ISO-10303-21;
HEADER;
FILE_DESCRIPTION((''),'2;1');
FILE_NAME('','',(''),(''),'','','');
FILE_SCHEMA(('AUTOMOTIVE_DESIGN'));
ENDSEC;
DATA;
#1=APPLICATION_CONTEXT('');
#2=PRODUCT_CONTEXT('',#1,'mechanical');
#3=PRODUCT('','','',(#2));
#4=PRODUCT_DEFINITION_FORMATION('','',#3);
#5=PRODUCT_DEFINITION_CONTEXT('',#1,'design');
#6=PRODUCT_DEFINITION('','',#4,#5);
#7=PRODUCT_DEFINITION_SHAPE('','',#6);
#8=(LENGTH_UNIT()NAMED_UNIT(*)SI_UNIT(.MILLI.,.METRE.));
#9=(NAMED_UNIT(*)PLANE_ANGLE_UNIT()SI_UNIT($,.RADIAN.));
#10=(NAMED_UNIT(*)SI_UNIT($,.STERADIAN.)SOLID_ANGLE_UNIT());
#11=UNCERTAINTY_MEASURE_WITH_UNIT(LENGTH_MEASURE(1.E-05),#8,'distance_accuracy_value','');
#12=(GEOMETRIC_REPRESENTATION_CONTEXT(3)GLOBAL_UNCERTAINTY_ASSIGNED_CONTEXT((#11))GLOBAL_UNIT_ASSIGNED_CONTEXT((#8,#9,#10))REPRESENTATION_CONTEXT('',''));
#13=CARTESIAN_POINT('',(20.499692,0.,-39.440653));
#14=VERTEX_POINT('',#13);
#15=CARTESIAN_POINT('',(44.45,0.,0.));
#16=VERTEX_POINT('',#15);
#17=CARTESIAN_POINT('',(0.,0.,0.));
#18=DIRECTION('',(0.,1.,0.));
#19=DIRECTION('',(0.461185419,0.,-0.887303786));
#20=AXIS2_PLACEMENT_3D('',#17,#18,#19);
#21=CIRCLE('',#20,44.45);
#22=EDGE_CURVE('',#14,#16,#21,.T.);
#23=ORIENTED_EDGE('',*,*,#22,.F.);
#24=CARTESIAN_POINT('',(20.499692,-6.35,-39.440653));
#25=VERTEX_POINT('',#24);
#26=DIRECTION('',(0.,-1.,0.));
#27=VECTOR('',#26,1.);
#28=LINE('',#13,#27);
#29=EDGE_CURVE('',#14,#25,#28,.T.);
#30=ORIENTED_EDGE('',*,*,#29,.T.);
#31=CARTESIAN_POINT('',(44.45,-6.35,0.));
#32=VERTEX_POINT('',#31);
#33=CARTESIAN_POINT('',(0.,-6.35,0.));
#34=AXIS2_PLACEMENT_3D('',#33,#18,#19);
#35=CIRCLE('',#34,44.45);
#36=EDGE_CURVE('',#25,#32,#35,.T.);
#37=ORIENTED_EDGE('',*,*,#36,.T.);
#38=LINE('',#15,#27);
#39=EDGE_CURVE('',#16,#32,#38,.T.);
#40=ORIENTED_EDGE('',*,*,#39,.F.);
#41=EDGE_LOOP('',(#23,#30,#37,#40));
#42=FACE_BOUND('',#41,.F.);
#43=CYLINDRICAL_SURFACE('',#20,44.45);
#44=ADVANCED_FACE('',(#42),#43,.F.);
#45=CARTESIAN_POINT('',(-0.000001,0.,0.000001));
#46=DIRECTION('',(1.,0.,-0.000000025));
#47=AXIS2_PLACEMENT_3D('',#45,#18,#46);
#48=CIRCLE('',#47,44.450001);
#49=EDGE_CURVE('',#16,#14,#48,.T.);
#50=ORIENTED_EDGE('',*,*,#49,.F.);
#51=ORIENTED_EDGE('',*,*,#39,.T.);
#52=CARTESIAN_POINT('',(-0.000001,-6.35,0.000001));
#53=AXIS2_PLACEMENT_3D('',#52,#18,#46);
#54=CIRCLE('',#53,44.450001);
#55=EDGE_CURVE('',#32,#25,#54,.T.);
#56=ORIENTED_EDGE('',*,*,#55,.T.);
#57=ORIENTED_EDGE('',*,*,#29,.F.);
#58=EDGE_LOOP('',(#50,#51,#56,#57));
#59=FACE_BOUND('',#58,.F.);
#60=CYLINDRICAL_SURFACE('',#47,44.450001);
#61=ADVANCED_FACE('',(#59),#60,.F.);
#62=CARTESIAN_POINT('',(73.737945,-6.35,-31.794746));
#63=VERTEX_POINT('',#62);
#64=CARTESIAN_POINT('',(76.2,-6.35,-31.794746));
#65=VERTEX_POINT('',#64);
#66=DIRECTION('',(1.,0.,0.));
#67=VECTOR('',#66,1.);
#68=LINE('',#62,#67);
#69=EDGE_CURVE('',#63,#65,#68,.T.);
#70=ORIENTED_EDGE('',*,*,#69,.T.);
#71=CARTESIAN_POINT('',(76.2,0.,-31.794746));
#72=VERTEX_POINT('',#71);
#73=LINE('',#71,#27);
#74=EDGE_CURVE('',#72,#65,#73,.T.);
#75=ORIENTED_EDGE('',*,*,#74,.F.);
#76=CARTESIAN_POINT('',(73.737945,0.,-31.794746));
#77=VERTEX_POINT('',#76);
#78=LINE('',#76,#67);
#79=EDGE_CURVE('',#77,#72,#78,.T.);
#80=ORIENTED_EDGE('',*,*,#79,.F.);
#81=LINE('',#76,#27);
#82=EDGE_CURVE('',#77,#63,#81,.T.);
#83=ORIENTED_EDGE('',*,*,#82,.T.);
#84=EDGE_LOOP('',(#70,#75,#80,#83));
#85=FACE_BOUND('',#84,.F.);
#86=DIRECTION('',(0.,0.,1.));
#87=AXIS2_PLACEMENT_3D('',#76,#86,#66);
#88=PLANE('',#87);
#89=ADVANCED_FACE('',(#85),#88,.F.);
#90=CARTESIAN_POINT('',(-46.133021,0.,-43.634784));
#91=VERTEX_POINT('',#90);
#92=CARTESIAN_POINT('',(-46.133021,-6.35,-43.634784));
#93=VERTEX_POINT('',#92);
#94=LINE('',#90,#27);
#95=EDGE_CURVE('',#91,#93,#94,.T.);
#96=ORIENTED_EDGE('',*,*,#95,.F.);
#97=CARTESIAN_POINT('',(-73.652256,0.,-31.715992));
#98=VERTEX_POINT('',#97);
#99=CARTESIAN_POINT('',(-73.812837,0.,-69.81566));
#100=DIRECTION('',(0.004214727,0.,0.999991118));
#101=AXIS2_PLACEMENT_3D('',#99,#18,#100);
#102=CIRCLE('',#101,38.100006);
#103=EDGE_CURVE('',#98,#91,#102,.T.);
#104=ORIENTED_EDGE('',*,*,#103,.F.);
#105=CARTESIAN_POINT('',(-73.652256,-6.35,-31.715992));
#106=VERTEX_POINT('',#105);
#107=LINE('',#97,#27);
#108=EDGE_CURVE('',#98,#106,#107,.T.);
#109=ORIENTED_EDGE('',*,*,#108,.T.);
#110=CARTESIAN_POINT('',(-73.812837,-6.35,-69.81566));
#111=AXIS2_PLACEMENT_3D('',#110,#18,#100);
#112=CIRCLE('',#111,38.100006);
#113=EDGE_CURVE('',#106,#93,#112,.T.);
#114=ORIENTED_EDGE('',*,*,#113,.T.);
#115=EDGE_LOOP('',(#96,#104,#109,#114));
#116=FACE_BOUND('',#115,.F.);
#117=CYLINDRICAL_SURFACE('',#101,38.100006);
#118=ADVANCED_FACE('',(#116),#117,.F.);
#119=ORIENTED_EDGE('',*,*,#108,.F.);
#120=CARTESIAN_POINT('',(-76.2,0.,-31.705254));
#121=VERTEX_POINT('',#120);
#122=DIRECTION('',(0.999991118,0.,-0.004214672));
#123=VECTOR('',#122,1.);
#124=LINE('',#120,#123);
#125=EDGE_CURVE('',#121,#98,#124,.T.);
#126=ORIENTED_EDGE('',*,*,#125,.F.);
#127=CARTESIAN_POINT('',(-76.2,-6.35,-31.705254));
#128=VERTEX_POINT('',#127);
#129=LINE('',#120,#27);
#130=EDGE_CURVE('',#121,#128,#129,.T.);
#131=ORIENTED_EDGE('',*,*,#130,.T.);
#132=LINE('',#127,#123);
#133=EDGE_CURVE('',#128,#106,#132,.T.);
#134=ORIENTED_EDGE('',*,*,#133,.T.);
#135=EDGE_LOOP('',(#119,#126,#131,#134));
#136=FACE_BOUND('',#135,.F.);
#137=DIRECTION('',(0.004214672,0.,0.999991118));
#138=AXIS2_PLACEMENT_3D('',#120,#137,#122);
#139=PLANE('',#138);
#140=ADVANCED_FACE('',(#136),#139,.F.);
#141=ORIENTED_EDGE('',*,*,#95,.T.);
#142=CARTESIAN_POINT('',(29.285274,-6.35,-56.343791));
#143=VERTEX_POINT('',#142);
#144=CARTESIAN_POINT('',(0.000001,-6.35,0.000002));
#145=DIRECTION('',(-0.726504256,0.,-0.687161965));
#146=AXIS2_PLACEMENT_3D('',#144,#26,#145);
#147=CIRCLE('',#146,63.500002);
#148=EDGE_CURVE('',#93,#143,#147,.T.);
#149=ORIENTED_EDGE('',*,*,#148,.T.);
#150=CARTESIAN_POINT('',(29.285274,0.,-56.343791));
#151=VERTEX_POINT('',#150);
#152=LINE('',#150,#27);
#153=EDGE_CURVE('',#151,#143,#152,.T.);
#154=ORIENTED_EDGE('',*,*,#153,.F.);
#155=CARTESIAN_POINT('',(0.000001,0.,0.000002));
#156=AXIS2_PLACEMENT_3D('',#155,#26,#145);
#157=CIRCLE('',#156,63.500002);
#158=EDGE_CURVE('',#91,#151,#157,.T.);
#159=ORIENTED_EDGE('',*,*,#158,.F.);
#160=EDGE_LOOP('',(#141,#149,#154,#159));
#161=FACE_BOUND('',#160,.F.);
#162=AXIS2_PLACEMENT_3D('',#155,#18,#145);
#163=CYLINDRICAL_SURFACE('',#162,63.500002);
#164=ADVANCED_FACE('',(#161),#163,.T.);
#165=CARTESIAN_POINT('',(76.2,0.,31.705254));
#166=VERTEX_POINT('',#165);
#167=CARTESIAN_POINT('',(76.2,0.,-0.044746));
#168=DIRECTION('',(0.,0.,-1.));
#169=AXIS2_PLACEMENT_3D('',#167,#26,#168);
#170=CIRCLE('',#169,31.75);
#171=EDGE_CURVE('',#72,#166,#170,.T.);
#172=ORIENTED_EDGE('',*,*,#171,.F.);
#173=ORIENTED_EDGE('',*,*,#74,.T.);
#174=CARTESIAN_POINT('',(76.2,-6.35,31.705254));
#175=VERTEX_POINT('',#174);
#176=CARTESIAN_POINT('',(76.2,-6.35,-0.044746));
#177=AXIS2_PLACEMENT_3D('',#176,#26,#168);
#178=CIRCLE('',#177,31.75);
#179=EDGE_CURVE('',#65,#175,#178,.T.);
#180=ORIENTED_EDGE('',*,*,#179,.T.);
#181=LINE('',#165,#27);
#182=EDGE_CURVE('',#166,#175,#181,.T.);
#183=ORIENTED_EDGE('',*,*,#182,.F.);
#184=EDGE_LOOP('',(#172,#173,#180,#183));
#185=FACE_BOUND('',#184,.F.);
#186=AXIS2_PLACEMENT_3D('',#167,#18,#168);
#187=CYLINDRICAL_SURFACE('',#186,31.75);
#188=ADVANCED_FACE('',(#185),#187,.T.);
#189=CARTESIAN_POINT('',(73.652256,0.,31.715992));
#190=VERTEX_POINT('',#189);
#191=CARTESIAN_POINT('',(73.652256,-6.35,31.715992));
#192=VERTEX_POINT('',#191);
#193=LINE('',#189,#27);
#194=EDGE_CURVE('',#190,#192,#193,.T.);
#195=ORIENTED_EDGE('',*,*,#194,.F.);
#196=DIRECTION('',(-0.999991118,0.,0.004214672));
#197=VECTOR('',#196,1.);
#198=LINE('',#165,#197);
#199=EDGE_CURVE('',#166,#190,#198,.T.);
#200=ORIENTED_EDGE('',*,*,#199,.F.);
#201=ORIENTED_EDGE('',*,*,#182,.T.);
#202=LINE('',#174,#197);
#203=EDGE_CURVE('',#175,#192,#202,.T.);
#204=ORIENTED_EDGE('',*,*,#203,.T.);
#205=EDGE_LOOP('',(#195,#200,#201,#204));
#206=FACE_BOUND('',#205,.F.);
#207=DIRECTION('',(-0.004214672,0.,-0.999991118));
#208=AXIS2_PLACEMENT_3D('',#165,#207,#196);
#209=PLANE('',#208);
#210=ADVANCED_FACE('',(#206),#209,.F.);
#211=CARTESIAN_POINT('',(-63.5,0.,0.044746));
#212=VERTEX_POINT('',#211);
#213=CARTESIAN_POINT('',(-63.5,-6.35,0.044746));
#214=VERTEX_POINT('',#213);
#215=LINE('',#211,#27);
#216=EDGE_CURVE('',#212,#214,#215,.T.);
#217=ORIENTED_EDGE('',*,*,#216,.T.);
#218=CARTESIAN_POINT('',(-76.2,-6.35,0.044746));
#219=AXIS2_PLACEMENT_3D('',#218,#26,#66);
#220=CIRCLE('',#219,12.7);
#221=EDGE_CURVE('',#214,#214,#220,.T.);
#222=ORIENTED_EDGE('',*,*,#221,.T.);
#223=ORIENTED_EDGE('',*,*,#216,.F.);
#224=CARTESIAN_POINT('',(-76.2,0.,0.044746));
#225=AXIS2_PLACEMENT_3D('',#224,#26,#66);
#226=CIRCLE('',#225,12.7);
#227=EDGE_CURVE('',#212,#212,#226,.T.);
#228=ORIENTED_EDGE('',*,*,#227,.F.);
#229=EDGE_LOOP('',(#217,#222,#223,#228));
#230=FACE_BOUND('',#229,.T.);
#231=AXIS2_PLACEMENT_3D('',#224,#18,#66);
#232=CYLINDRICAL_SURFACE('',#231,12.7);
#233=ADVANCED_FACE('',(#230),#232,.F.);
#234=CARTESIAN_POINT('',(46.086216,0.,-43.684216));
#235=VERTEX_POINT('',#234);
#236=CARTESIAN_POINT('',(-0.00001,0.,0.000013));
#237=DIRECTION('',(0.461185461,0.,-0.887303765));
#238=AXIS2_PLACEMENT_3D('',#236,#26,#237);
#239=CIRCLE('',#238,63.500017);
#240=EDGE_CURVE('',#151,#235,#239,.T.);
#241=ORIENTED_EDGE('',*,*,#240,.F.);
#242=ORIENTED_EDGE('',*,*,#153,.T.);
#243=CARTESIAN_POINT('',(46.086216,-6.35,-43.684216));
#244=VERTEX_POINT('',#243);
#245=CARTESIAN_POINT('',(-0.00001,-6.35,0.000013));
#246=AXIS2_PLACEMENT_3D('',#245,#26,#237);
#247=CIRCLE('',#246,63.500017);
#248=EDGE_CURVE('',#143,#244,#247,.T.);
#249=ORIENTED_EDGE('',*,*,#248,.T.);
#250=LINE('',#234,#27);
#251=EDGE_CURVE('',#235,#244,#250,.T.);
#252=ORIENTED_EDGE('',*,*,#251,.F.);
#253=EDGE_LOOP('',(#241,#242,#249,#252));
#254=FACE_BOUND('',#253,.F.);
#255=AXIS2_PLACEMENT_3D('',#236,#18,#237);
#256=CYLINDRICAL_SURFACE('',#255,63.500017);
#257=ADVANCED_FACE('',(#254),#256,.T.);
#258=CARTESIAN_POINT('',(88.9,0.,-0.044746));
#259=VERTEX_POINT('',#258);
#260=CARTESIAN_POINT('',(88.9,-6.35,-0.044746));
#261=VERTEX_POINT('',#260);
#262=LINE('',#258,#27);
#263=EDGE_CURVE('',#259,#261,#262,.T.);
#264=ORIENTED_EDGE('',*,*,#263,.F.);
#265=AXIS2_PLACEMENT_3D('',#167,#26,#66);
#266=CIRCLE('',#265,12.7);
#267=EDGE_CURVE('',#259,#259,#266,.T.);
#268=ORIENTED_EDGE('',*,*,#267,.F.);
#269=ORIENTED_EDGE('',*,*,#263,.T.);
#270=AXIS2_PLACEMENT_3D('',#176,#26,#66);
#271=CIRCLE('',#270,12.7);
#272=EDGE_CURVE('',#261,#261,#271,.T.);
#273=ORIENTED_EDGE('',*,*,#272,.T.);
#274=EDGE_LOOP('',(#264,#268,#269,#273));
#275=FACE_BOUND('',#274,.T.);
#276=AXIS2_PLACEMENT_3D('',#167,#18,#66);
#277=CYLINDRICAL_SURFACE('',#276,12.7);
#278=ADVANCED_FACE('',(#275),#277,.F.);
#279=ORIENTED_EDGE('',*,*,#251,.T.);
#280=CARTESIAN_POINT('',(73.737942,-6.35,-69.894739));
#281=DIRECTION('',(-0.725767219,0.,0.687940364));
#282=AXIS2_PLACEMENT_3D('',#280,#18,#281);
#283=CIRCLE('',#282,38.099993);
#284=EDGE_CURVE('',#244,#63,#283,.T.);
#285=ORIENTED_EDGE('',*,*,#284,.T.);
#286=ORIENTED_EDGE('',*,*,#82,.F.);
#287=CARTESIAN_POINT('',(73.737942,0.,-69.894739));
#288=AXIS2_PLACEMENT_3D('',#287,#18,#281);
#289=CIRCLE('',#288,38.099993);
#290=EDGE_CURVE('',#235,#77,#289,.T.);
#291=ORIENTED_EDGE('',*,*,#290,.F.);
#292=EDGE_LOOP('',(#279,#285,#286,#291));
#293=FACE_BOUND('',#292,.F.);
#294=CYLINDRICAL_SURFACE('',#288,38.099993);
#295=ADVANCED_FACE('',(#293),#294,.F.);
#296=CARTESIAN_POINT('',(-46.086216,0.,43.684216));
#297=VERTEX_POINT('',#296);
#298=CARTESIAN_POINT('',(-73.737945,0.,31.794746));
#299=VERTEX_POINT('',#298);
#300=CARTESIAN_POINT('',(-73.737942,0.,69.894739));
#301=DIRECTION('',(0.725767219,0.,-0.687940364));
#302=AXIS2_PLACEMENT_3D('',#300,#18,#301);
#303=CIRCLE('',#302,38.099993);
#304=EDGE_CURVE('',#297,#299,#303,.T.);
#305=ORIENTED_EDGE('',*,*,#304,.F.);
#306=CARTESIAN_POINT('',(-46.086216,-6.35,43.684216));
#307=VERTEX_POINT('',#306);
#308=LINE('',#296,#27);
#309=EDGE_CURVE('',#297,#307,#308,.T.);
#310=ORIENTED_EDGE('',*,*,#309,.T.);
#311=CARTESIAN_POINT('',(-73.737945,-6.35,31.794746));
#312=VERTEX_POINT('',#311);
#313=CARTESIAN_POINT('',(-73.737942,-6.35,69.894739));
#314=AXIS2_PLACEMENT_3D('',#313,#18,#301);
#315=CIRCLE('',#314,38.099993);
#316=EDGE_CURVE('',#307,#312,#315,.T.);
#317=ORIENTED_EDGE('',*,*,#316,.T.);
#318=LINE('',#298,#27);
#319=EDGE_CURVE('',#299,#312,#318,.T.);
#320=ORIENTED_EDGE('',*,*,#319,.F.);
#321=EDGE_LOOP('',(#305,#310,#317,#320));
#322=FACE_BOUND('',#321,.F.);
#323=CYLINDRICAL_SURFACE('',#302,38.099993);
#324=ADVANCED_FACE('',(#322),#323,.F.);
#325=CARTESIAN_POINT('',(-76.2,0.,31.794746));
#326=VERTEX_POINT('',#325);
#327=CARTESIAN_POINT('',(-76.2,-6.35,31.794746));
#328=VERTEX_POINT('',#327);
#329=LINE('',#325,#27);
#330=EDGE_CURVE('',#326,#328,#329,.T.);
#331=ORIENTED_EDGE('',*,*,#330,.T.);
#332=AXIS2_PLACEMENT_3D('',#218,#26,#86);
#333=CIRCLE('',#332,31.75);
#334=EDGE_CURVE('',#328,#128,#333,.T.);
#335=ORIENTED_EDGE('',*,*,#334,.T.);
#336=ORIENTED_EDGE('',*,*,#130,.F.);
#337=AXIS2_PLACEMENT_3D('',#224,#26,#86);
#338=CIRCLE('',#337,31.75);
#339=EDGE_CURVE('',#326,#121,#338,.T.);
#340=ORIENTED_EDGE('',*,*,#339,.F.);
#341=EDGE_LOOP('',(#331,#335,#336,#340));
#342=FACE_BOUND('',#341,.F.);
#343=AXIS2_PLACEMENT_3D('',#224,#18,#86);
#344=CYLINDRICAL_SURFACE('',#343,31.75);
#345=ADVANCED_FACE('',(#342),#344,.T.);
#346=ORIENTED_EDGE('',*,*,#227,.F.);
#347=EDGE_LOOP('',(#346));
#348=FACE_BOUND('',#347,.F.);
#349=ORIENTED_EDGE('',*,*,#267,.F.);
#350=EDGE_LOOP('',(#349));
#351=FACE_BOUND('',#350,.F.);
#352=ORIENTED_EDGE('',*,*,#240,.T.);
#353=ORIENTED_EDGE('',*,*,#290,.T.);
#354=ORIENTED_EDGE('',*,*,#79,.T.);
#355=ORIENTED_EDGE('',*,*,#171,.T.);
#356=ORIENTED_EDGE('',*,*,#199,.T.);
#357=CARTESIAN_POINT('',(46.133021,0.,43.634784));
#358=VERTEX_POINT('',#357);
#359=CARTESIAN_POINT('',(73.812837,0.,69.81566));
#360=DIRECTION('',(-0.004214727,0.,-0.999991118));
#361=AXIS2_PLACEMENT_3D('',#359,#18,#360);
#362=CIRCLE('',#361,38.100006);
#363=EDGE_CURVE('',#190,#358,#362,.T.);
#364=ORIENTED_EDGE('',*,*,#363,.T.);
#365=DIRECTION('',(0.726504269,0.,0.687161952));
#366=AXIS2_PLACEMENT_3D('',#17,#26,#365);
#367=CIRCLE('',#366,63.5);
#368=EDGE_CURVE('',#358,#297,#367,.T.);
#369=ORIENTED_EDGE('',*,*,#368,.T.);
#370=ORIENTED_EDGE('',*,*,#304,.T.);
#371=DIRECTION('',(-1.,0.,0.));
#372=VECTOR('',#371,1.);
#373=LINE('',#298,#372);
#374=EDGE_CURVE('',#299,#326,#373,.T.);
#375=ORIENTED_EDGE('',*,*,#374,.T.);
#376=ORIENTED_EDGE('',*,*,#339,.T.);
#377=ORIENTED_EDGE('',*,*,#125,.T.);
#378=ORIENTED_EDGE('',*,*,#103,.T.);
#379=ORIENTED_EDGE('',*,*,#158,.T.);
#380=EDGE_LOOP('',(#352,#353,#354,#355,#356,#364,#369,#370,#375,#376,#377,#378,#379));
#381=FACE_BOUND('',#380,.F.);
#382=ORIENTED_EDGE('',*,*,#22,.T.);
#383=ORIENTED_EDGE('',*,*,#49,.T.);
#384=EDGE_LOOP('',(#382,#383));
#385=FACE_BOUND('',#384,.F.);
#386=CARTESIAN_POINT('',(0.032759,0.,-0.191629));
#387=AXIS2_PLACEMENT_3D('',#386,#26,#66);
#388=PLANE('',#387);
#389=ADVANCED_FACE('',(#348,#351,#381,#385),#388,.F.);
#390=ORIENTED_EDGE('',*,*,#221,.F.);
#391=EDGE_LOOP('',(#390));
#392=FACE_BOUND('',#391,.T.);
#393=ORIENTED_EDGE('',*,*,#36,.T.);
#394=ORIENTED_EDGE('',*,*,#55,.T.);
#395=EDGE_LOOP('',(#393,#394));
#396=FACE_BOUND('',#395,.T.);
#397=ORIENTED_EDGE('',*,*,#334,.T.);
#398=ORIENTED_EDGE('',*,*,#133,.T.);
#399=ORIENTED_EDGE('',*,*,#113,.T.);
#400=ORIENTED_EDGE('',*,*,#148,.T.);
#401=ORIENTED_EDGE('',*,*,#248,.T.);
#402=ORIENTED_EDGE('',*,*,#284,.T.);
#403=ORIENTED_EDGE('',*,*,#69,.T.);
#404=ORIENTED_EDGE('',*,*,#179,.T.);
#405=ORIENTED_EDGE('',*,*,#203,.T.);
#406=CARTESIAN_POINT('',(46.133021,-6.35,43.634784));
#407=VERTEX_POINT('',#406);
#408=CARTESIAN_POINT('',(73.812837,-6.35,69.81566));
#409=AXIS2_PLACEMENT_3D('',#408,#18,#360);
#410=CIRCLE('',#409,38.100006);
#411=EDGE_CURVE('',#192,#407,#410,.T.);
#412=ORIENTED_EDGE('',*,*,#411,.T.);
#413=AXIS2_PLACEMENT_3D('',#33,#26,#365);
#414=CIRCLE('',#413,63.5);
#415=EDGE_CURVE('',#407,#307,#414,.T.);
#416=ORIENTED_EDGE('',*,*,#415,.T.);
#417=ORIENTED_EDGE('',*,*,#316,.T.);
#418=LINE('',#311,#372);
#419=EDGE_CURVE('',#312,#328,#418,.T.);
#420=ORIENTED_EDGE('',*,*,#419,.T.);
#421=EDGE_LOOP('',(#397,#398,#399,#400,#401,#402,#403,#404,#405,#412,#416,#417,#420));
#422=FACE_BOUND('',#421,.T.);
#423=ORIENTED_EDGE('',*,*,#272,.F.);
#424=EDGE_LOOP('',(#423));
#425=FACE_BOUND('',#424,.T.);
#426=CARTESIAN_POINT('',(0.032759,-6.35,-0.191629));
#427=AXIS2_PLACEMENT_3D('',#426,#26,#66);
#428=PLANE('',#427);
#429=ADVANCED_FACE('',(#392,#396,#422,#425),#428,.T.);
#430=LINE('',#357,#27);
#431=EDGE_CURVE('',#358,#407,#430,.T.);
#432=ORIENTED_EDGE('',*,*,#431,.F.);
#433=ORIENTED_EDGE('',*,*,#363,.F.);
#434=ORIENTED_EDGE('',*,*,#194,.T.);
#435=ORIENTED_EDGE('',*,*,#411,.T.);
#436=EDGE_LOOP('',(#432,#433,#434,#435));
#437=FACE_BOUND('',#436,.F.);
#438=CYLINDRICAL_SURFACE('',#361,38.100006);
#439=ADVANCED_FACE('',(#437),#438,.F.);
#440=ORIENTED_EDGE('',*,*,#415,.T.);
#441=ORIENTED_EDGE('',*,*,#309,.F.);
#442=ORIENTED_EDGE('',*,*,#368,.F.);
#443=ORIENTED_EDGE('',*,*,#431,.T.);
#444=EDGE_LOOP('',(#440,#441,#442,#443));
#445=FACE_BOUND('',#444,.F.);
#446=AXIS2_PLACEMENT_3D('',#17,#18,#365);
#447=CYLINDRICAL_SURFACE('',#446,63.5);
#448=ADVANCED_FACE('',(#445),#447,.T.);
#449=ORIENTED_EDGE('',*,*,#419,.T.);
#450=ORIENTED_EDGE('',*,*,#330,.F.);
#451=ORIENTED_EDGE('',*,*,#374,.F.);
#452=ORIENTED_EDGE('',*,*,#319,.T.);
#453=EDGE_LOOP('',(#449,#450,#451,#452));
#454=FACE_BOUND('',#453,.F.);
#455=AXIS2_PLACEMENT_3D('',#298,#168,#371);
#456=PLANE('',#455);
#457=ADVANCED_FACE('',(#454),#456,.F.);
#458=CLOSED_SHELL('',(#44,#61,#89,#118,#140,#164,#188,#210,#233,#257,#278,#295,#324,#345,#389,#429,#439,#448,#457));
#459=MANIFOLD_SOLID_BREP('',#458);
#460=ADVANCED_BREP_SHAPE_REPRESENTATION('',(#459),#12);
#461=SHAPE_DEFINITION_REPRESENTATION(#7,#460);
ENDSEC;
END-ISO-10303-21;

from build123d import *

# Parameters (mm, degrees)
F0_R     = 12.7
F1_DEPTH = 6.35


with BuildPart() as f1:
    # F0 (on Front) → F1 (new body)
    with BuildSketch(Plane.XZ):
        with BuildLine():
            ThreePointArc((-46.133021, -43.634784), (-10.551842, -62.617159), (29.285274, -56.343791))
            ThreePointArc((29.285274, -56.343791), (38.213631, -50.714578), (46.086216, -43.684216))
            ThreePointArc((46.086216, -43.684216), (58.688214, -34.893094), (73.737945, -31.794746))
            Line((73.737945, -31.794746), (76.2, -31.794746))
            ThreePointArc((76.2, -31.794746), (107.95, -0.044746), (76.2, 31.705254))
            Line((76.2, 31.705254), (73.652256, 31.715992))
            ThreePointArc((73.652256, 31.715992), (58.670634, 34.853907), (46.133021, 43.634784))
            ThreePointArc((46.133021, 43.634784), (0.034038, 63.499991), (-46.086216, 43.684216))
            ThreePointArc((-46.086216, 43.684216), (-58.688214, 34.893094), (-73.737945, 31.794746))
            Line((-73.737945, 31.794746), (-76.2, 31.794746))
            ThreePointArc((-76.2, 31.794746), (-107.95, 0.044746), (-76.2, -31.705254))
            Line((-76.2, -31.705254), (-73.652256, -31.715992))
            ThreePointArc((-73.652256, -31.715992), (-58.670634, -34.853907), (-46.133021, -43.634784))
        make_face()
        with Locations((76.2, -0.044746)):
            Circle(F0_R, mode=Mode.SUBTRACT)
        with Locations((-76.2, 0.044746)):
            Circle(F0_R, mode=Mode.SUBTRACT)
        with BuildLine():
            ThreePointArc((20.499692, -39.440653), (-37.993511, 23.071532), (44.45, 0))
            ThreePointArc((44.45, 0), (37.993511, -23.071532), (20.499692, -39.440653))
        make_face(mode=Mode.SUBTRACT)
    extrude(amount=F1_DEPTH)


solid = f1.part
